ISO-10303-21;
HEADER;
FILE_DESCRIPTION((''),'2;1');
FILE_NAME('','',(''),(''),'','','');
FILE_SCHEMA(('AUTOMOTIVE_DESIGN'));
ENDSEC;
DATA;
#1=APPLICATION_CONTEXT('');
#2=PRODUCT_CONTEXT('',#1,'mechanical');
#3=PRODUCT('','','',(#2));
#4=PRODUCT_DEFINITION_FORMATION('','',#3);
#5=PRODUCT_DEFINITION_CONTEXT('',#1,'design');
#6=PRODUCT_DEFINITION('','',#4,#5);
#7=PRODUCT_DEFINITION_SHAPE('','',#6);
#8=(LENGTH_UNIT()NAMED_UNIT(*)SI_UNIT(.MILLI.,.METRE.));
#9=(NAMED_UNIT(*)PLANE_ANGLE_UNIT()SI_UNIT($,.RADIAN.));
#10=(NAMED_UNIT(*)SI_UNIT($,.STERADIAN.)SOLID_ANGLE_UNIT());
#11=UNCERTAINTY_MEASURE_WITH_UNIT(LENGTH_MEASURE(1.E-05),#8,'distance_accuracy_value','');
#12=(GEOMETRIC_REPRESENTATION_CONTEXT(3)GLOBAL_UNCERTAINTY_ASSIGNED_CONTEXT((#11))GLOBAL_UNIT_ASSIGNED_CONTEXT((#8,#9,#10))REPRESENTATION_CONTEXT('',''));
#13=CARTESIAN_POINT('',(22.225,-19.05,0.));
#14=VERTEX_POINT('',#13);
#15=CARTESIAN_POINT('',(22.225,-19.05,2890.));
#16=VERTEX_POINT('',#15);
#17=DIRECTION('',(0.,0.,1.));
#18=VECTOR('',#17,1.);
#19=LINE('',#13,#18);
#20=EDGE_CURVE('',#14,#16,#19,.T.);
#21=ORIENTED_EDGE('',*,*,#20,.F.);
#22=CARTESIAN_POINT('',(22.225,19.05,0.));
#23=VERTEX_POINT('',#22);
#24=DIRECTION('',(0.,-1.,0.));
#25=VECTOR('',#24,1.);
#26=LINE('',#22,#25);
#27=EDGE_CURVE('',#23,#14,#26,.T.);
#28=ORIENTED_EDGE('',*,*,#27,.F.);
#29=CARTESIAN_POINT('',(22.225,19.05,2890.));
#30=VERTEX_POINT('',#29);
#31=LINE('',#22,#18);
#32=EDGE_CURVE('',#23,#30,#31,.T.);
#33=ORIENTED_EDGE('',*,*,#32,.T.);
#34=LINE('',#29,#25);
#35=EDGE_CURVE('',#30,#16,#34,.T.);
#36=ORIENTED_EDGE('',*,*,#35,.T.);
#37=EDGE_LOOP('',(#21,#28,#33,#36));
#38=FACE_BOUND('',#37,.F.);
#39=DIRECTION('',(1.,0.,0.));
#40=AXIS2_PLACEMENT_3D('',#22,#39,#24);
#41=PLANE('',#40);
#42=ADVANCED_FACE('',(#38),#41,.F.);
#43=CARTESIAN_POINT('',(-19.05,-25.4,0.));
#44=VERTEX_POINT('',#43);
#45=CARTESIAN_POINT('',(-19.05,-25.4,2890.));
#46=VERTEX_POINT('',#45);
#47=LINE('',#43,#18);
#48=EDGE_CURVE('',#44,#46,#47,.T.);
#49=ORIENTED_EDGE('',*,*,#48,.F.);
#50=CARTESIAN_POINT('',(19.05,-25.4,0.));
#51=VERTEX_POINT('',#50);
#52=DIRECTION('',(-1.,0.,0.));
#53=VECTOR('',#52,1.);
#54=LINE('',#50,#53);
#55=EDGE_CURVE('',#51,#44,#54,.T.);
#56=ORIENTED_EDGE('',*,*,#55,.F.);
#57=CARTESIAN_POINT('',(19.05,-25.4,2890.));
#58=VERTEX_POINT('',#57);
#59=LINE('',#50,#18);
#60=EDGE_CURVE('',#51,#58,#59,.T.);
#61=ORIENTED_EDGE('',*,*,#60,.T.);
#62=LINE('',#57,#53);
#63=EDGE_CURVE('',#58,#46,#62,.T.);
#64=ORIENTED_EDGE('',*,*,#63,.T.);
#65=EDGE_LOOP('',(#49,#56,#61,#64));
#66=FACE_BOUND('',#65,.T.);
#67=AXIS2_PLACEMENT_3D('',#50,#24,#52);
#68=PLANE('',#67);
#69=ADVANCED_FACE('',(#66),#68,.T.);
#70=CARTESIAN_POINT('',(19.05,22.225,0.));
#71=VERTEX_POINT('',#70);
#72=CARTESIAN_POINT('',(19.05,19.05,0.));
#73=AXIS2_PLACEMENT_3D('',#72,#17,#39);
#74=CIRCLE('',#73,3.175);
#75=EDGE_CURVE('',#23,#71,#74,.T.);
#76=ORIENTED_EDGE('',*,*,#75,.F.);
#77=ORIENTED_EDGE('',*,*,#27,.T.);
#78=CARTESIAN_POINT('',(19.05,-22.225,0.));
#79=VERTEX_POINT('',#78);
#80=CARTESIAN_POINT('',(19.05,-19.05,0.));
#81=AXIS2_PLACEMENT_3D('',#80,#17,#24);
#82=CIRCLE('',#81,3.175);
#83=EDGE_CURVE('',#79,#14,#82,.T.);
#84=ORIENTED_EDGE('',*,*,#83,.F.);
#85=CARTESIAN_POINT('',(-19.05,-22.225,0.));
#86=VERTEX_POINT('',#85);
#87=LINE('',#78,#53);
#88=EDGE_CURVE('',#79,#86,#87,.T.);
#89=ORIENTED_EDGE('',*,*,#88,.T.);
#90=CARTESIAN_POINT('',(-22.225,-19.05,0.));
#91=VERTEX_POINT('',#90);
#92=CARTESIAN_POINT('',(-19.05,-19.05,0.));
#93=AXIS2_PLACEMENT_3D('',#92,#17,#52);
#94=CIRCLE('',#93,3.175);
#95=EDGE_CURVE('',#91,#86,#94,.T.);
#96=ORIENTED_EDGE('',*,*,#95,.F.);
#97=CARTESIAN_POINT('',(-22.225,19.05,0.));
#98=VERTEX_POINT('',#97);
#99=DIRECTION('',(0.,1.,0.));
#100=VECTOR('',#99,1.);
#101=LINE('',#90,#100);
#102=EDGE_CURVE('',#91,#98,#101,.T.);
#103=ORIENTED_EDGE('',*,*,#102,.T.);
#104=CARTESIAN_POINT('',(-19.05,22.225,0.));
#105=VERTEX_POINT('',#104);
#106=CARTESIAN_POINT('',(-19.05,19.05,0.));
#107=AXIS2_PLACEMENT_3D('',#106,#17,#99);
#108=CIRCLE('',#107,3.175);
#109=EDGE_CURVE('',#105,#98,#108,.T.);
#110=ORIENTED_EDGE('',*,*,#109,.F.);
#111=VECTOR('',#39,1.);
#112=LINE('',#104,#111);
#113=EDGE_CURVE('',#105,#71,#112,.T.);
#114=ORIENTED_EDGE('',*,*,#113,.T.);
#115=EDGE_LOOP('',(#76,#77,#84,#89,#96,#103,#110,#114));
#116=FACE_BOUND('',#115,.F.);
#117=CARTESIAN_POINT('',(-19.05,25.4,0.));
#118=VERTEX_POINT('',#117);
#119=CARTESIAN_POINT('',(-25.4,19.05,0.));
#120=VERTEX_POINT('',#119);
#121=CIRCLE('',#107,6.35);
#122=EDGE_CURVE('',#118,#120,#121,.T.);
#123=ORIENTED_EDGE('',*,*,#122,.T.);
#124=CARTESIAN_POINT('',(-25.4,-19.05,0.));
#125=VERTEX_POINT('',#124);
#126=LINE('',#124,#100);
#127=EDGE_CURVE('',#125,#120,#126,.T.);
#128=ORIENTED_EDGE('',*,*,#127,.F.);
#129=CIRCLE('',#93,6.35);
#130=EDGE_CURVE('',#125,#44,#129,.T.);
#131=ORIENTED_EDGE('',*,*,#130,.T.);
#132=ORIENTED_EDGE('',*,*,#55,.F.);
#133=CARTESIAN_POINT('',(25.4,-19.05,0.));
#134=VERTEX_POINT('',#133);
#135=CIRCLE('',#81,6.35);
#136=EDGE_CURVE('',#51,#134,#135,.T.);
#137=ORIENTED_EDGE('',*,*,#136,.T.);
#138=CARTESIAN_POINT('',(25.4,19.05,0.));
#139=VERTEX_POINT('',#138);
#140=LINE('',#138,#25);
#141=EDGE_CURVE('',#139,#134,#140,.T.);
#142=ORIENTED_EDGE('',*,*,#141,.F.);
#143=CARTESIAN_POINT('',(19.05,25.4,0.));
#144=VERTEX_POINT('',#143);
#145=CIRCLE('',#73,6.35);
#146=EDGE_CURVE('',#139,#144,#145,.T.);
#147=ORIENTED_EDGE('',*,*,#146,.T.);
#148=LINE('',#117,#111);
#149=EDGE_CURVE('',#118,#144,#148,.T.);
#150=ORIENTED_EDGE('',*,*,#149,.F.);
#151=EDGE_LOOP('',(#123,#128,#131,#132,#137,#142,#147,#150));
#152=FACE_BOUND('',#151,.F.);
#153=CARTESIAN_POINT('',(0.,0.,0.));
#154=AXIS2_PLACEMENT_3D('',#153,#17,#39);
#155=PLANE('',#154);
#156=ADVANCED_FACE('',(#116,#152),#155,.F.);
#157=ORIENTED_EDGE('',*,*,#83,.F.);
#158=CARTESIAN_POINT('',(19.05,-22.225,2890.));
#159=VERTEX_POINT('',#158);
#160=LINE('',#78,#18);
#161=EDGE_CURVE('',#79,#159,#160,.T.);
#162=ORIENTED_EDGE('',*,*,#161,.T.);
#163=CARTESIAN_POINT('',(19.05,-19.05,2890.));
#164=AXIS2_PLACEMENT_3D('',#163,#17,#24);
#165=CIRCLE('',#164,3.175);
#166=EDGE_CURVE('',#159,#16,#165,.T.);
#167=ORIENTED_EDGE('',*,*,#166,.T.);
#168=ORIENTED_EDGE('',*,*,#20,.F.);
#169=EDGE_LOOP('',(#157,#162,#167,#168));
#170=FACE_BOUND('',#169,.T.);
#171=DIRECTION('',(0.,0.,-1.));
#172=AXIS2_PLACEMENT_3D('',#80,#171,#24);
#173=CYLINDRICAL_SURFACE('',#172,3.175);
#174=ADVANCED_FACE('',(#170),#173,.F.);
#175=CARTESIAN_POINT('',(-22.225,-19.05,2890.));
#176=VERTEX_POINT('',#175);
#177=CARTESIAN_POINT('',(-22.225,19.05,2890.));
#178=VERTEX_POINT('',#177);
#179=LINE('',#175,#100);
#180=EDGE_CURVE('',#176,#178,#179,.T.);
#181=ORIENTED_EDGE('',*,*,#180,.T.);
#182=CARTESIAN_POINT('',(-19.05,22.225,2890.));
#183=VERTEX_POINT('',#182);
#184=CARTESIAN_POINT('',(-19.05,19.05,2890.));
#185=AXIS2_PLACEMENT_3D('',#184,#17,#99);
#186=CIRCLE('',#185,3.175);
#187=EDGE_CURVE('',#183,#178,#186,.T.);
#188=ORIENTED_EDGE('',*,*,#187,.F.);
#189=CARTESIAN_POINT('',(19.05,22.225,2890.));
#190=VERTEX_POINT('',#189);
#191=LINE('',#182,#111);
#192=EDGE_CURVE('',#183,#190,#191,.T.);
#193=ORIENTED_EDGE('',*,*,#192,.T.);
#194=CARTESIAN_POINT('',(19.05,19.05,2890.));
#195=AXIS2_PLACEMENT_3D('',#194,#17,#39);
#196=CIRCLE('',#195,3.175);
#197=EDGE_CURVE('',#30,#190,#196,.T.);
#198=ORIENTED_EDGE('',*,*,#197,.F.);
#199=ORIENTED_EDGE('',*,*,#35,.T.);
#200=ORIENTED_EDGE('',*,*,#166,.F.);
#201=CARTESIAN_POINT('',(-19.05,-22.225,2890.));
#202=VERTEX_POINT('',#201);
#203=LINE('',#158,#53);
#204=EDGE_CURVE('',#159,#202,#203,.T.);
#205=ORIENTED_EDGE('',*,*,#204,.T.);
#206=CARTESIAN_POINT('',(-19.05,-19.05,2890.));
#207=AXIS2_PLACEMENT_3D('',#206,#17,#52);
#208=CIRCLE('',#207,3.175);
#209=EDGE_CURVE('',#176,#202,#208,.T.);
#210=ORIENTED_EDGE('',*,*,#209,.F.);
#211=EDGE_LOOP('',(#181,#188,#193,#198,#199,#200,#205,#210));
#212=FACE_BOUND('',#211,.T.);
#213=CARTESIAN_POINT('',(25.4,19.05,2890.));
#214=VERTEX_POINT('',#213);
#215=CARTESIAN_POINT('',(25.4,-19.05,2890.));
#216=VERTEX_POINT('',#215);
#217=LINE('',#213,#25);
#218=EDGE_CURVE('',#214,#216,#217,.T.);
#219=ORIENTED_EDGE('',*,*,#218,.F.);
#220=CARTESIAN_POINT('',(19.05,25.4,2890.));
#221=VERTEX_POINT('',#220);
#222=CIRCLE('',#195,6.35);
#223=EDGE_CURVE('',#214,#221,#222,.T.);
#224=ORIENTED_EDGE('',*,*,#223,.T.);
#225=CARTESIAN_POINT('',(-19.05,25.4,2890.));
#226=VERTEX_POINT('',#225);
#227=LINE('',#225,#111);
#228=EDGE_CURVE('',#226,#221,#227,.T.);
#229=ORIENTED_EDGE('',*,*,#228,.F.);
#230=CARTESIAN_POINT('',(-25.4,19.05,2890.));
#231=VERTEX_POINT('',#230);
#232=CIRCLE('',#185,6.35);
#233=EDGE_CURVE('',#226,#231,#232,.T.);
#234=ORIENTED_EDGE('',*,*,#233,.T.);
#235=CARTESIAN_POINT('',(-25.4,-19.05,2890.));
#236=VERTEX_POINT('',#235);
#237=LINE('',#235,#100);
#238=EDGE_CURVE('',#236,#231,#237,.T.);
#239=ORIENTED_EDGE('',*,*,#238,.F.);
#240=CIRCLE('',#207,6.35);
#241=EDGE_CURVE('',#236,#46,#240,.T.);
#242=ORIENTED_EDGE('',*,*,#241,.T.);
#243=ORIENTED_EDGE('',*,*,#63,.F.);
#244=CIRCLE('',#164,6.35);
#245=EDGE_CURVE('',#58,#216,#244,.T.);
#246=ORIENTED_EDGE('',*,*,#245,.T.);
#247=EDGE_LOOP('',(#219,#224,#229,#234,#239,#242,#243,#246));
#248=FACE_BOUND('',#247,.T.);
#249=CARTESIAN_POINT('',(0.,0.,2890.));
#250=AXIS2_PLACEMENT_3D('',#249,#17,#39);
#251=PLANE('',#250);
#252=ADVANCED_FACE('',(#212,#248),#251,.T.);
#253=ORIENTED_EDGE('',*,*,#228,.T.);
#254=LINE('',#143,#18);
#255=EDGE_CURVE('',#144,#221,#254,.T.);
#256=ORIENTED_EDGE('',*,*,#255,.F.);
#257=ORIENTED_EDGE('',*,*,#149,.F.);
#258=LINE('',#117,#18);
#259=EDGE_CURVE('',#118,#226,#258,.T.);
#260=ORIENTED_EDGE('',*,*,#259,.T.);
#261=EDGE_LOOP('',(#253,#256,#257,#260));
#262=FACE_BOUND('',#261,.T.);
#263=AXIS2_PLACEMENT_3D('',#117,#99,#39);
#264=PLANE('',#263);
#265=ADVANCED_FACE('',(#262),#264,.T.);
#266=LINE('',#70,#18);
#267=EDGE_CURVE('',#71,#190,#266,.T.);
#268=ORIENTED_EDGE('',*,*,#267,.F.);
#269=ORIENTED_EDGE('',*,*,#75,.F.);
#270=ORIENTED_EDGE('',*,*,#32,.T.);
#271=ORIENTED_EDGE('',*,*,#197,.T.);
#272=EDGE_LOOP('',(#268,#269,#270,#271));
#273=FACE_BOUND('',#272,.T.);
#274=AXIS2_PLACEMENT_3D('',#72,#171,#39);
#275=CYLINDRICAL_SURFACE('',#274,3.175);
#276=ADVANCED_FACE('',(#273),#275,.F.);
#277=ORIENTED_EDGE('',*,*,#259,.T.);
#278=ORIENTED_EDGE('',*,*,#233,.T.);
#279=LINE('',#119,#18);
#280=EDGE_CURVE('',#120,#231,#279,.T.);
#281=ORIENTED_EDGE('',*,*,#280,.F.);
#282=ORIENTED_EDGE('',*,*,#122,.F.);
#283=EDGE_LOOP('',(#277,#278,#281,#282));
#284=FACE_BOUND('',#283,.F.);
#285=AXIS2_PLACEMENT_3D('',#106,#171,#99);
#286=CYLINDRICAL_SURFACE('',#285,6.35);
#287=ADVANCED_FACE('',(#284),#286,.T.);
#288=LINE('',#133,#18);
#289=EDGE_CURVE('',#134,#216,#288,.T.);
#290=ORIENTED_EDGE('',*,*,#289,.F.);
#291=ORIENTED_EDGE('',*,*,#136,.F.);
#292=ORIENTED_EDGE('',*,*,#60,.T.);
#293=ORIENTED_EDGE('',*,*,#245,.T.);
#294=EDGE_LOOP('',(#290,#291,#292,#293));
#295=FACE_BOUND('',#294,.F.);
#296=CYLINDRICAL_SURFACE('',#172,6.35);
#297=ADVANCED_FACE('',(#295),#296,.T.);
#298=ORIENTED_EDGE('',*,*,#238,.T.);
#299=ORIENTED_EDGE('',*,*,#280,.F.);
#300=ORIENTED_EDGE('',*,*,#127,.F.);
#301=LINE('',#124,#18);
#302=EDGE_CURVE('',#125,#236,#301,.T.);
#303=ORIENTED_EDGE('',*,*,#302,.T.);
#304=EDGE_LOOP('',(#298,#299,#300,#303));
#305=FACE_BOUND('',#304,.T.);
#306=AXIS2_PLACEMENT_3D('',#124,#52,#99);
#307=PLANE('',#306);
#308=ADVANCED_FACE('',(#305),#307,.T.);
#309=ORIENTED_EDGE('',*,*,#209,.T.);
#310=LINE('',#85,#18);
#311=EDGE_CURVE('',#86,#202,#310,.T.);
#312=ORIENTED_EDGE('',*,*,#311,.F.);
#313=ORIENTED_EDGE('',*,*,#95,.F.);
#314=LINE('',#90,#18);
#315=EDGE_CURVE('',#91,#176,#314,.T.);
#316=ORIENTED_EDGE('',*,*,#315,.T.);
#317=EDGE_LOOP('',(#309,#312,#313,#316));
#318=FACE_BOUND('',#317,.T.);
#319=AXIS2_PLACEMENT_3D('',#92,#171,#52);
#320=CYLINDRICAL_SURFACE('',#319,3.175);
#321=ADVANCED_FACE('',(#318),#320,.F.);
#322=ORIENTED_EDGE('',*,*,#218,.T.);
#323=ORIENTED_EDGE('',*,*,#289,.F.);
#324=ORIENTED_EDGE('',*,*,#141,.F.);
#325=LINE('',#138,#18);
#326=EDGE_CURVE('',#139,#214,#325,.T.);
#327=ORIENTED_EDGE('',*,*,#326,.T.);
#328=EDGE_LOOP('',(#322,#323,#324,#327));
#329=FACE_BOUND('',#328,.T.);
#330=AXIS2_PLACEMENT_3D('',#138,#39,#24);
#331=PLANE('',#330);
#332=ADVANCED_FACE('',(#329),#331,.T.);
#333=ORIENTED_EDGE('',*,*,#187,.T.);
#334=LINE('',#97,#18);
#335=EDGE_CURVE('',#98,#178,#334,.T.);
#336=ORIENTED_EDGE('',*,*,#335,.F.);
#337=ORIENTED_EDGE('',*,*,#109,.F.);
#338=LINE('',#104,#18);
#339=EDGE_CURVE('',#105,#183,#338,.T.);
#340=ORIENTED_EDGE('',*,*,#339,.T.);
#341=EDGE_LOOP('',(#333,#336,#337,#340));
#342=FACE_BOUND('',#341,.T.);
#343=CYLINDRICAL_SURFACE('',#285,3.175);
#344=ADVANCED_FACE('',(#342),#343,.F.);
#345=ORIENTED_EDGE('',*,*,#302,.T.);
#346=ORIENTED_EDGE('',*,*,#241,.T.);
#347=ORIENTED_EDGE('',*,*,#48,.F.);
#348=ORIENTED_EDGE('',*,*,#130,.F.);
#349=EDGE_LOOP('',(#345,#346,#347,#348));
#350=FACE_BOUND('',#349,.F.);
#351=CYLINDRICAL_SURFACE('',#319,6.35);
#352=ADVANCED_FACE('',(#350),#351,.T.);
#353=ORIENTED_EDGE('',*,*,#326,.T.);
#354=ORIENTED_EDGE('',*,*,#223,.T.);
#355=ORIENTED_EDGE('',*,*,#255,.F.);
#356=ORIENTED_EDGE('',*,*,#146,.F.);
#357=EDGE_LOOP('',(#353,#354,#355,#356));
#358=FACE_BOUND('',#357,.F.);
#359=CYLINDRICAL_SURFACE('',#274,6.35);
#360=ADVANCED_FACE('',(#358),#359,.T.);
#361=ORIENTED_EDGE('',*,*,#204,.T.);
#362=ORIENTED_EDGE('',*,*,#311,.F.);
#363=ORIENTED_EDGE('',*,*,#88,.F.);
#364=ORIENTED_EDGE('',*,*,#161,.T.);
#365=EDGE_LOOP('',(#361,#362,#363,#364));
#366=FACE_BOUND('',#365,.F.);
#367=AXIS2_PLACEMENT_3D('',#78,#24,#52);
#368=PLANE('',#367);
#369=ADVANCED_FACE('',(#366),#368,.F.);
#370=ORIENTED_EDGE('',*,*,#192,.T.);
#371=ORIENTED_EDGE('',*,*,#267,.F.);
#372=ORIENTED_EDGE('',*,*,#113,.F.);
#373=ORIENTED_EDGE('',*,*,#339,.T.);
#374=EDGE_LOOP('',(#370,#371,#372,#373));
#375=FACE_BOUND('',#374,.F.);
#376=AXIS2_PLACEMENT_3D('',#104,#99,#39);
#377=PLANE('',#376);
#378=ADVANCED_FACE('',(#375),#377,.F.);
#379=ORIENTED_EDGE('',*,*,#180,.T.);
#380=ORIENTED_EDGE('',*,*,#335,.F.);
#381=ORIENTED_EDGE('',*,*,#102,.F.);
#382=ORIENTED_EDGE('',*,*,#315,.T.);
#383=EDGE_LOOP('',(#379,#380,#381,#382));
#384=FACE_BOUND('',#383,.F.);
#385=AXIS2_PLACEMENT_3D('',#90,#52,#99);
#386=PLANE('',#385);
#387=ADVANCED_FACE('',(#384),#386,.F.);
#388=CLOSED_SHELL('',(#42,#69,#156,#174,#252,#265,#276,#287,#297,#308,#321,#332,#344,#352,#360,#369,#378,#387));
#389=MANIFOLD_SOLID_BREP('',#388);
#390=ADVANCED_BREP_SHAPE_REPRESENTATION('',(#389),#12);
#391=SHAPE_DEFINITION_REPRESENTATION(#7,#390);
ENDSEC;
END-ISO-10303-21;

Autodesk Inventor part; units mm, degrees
ref_plane "YZ Plane" through (0, 0, 0) normal (1, 0, 0) x (0, 1, 0)
ref_plane "Plano inicial" through (0, 0, 0) normal (0, 0, 1) x (1, 0, 0)
ref_plane "Plano final" through (0, 0, 2890) normal (0, 0, 1) x (1, 0, 0)
sketch "Boceto" plane through (0, 0, 0) normal (0, 0, 1) x (1, 0, 0)
  line L0 (-25.4, -19.05) -> (-25.4, 19.05)
  line L1 (-19.05, 25.4) -> (19.05, 25.4)
  line L2 (25.4, 19.05) -> (25.4, -19.05)
  line L3 (19.05, -25.4) -> (-19.05, -25.4)
  arc A0 (-25.4, -19.05) -> (-19.05, -25.4) centre (-19.05, -19.05) ccw
  arc A1 (-19.05, 25.4) -> (-25.4, 19.05) centre (-19.05, 19.05) ccw
  arc A2 (25.4, 19.05) -> (19.05, 25.4) centre (19.05, 19.05) ccw
  arc A3 (19.05, -25.4) -> (25.4, -19.05) centre (19.05, -19.05) ccw
  arc A4 (-19.05, 22.225) -> (-22.225, 19.05) centre (-19.05, 19.05) ccw
  line L4 (-19.05, 22.225) -> (19.05, 22.225)
  arc A5 (22.225, 19.05) -> (19.05, 22.225) centre (19.05, 19.05) ccw
  line L5 (22.225, 19.05) -> (22.225, -19.05)
  arc A6 (19.05, -22.225) -> (22.225, -19.05) centre (19.05, -19.05) ccw
  line L6 (19.05, -22.225) -> (-19.05, -22.225)
  arc A7 (-22.225, -19.05) -> (-19.05, -22.225) centre (-19.05, -19.05) ccw
  line L7 (-22.225, -19.05) -> (-22.225, 19.05)
  line L8 (0, 37.4012) -> (0, -37.4012) construction
  line L9 (-37.4012, 0) -> (37.4012, 0) construction
  dimension "d10" = 50.8
  dimension "d11" = 50.8
  dimension "d12" = 3.175
  dimension "d15" = 25.4
  dimension "d16" = 25.4
  dimension "d17" = 6.35
extrude "Cuerpo" add sketch "Boceto" along normal up to surface (2890 mm away) from surface at 0
sketch "Sketch3" plane through (0, 0, 0) normal (0, 0, 1) x (1, 0, 0)
  line L0 (0, 0) -> (10, 0)
ref_plane "Work Plane3" through (0, 0, 0) normal (0, -1, 0) x (1, 0, 0)
sketch "Sketch4" plane through (0, 0, 0) normal (0, -1, 0) x (1, 0, 0)
  line L0 (-2, 0) -> (12, 0) projected
  line L1 (-2, 2890) -> (12, 2890) projected
  dimension "d19" = 2890
equation "\"d10\" = G_H"
equation "\"d11\" = G_W"
equation "\"d12\" = G_T"
equation "\"d15\" = 0.5 * d10"
equation "\"d16\" = 0.5 * d11"
equation "\"d17\" = G_IR"
equation "\"d3\" = G_L"
equation "\"G_W\" = 50.8"
equation "\"G_H\" = 50.8"
equation "\"G_T\" = 3.175"
equation "\"G_IR\" = 6.35"
equation "\"G_L\" = d19"
equation "\"G_OFFSET_START\" = 0"
equation "\"G_OFFSET_END\" = 0"
equation "\"d14\" = G_OFFSET_END + B_L"
equation "\"B_L\" = 2890"
properties part number "AISC - 2 x 2 x 1/8 - 113,78" material "Acero, suave"
